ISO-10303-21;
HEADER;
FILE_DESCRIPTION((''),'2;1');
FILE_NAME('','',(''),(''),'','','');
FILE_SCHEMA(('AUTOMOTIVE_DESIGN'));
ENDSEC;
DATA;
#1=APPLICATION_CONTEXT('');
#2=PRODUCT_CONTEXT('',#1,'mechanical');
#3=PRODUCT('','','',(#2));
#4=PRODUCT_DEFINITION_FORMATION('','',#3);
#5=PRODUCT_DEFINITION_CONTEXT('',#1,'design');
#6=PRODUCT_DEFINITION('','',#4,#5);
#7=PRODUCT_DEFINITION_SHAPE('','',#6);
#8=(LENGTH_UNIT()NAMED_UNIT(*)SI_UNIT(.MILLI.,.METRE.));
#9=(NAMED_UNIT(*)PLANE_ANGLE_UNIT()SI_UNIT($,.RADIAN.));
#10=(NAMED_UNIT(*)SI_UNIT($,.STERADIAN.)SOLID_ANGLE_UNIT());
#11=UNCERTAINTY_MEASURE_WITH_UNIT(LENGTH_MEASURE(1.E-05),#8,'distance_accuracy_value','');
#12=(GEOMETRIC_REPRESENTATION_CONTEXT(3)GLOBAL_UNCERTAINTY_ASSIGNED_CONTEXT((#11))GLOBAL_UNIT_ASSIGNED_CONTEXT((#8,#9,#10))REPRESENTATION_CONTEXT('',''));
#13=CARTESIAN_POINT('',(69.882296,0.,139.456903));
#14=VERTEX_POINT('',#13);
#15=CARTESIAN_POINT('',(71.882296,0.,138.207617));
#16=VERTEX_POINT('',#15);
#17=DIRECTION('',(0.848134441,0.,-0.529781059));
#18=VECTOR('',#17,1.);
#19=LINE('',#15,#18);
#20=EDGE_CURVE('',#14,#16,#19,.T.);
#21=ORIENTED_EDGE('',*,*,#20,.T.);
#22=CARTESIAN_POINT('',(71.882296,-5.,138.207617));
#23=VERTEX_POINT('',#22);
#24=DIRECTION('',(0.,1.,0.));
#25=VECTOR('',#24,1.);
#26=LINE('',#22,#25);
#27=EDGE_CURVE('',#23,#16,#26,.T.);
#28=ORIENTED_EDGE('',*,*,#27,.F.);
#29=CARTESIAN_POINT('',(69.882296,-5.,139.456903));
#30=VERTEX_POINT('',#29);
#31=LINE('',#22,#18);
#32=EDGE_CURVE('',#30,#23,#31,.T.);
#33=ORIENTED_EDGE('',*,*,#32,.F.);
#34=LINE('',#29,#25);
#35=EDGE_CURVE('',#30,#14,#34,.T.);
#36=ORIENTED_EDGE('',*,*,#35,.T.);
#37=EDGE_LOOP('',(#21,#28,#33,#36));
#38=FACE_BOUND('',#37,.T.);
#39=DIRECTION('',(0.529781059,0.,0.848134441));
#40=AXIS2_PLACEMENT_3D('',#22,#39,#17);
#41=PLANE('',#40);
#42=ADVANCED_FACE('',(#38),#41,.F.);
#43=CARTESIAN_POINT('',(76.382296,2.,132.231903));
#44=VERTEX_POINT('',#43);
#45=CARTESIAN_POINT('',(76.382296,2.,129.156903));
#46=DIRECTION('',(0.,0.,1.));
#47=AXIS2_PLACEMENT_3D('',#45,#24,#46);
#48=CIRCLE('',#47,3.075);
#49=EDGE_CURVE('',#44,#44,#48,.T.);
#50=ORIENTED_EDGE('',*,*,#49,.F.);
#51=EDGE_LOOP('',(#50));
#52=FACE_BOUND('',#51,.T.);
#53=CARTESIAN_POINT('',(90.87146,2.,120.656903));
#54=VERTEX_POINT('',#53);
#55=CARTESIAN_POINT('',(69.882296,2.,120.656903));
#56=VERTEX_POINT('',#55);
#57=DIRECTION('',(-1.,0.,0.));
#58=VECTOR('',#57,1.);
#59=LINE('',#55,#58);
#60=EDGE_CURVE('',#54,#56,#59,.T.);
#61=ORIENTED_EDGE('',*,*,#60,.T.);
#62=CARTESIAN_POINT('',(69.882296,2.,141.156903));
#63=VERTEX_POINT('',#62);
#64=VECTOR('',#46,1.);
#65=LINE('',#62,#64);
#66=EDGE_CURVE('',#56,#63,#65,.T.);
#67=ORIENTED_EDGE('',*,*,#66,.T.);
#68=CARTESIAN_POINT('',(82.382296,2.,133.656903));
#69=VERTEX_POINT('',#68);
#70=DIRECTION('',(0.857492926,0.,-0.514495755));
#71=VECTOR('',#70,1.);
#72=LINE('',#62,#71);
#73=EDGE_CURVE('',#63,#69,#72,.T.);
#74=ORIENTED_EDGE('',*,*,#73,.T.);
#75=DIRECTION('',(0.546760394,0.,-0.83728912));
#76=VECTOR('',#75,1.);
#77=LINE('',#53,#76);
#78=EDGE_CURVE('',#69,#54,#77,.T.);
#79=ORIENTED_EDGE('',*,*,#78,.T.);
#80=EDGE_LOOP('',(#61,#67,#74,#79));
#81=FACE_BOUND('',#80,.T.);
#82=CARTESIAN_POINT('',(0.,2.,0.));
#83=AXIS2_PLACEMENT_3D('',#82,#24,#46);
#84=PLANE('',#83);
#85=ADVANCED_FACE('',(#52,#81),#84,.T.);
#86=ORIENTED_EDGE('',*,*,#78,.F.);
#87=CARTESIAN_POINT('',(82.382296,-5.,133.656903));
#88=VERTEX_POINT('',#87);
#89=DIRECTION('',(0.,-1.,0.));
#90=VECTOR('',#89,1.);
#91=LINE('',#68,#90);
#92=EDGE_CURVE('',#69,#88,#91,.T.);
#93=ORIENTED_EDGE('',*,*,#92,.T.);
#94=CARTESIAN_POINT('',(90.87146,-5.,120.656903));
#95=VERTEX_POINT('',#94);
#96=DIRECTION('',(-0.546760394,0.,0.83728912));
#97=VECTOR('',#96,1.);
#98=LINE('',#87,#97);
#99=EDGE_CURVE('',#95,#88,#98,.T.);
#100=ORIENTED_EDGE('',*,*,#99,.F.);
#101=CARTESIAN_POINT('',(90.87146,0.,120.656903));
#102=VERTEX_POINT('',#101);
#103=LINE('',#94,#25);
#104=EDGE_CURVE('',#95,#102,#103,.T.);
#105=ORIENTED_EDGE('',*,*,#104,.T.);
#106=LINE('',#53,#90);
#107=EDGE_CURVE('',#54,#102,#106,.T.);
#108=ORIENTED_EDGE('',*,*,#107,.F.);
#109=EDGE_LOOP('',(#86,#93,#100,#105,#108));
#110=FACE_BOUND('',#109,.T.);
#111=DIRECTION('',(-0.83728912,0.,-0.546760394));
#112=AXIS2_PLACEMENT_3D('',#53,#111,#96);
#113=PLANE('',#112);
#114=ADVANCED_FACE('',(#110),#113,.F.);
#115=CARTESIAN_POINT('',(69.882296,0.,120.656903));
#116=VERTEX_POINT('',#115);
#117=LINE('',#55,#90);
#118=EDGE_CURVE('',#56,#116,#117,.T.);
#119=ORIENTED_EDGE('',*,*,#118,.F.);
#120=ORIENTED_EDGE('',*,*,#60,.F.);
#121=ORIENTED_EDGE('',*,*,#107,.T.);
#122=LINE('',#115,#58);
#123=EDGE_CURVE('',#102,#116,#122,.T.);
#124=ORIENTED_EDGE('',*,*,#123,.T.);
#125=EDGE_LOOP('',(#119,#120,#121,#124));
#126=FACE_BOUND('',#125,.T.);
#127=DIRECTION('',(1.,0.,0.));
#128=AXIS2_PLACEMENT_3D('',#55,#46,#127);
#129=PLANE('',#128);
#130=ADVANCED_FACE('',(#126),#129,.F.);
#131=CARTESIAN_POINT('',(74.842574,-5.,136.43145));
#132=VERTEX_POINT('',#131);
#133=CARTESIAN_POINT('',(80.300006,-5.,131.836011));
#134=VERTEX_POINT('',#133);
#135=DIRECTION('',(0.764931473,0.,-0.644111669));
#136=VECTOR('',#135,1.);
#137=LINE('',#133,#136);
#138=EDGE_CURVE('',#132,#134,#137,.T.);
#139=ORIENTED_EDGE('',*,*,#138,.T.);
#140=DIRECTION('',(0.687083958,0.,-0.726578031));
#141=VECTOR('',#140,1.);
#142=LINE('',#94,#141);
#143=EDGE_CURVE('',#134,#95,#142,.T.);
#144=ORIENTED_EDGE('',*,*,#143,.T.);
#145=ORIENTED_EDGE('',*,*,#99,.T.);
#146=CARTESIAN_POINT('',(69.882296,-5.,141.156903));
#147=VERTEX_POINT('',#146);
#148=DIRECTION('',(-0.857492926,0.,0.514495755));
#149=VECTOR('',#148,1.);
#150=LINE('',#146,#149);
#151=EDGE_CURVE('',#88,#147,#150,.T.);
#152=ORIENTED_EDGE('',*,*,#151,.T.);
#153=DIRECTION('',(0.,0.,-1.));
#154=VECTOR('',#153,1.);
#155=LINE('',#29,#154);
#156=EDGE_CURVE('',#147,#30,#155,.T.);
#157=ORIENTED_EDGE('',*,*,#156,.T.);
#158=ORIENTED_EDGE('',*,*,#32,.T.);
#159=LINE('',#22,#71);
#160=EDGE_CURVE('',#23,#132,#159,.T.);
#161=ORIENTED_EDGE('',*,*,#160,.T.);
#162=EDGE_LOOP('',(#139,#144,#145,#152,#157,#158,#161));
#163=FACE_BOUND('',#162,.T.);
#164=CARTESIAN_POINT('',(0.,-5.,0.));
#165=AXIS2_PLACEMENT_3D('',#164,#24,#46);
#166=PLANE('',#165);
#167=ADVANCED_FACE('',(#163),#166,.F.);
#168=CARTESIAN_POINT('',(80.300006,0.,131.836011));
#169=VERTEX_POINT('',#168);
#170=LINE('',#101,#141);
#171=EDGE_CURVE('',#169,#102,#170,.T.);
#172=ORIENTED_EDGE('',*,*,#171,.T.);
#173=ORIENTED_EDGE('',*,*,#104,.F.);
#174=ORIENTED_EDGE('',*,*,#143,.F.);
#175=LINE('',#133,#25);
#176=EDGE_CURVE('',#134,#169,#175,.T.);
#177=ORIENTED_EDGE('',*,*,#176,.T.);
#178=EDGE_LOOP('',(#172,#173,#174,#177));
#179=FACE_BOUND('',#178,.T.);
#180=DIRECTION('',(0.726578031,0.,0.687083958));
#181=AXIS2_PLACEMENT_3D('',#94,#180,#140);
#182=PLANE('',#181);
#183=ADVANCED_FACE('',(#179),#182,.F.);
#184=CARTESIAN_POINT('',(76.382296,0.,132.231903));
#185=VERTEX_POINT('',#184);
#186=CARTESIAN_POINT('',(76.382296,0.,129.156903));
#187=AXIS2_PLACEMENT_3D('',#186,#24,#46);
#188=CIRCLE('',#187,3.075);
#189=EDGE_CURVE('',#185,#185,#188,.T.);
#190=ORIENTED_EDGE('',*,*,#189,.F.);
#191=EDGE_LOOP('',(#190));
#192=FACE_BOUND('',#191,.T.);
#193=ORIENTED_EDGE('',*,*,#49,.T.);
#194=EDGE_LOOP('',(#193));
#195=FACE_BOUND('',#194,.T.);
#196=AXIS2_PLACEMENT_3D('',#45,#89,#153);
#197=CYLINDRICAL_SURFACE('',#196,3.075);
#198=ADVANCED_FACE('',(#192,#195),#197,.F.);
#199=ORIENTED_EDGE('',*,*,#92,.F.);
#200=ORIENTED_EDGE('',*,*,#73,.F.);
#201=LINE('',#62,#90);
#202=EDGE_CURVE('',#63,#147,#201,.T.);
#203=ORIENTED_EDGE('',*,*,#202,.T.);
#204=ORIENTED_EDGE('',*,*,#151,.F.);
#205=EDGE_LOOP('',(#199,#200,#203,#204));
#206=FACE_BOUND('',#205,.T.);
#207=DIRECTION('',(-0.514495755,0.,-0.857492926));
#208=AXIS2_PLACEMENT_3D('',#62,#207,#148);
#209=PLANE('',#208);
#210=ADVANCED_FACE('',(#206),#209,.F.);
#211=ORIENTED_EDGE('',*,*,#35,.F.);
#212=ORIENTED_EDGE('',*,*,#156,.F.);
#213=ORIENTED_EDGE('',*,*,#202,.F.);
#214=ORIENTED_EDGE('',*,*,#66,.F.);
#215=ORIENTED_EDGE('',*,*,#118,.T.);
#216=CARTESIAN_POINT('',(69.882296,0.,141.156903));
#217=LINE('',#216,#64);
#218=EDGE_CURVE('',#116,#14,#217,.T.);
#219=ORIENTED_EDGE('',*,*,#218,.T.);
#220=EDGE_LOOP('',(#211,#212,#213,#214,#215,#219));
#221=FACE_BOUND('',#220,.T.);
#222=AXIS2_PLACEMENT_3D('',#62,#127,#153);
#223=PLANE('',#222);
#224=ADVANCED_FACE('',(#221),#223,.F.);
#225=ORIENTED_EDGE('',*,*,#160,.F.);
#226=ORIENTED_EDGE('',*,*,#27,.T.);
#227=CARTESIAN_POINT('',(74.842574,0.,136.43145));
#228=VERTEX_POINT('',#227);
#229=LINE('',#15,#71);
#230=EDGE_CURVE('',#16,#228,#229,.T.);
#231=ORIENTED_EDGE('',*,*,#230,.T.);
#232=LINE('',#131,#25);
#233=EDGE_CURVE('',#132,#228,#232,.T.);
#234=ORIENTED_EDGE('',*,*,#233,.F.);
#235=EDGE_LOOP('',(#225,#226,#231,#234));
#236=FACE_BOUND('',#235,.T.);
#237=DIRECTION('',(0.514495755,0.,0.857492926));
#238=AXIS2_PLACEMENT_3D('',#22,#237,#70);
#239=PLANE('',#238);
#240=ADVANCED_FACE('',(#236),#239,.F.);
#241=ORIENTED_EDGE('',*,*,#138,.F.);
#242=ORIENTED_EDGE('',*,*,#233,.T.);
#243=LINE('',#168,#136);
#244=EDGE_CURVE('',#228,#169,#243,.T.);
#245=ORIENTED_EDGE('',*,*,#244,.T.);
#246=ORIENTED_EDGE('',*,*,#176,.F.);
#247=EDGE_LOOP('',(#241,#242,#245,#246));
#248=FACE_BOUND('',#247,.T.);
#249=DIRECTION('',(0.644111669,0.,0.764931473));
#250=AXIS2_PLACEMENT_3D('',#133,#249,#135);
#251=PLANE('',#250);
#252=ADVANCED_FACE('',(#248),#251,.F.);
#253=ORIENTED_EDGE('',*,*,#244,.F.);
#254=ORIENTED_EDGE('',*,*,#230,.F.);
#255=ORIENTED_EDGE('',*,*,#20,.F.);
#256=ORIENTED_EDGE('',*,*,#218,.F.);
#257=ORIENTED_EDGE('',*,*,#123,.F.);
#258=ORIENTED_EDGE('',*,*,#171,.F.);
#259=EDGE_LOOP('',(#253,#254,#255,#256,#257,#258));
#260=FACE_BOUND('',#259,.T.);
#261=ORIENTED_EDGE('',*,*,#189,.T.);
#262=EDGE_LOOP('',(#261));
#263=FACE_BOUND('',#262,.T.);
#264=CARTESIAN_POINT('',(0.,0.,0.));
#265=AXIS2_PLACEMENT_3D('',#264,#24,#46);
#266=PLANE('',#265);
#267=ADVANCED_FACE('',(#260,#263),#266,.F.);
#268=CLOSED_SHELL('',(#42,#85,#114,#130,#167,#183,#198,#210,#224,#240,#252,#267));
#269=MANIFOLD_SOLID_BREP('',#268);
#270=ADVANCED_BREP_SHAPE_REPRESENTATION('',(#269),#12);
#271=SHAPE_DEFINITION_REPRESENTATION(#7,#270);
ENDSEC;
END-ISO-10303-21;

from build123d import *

# Parameters (mm, degrees)
SKETCH1_R           = 3.075
BOSS_EXTRUDE1_DEPTH = 2
BOSS_EXTRUDE2_DEPTH = 5


with BuildPart() as part:
    # Sketch1 → Boss-Extrude1 (new body)
    with BuildSketch(Plane(origin=(0, 0, 0), x_dir=(1, 0, 0), z_dir=(0, 1, 0))):
        Polygon((69.882295615, -141.15690287), (82.382295615, -133.65690287), (90.871460172, -120.65690287), (69.882295615, -120.65690287), align=None)
        with Locations(Location((76.382295615, -129.15690287, 0), (0, 0, 270))):
            Circle(SKETCH1_R, mode=Mode.SUBTRACT)
    extrude(amount=BOSS_EXTRUDE1_DEPTH)

    # Sketch2 → Boss-Extrude2 (add)
    with BuildSketch(Plane(origin=(0, 0, 0), x_dir=(-1, 0, 0), z_dir=(0, -1, 0))):
        Polygon((-69.882295615, -141.15690287), (-82.382295615, -133.65690287), (-90.871460172, -120.65690287), (-80.30000632, -131.836011395), (-74.842574052, -136.43145024), (-71.882295615, -138.207617302), (-69.882295615, -139.45690287), align=None)
    extrude(amount=BOSS_EXTRUDE2_DEPTH)


solid = part.part
